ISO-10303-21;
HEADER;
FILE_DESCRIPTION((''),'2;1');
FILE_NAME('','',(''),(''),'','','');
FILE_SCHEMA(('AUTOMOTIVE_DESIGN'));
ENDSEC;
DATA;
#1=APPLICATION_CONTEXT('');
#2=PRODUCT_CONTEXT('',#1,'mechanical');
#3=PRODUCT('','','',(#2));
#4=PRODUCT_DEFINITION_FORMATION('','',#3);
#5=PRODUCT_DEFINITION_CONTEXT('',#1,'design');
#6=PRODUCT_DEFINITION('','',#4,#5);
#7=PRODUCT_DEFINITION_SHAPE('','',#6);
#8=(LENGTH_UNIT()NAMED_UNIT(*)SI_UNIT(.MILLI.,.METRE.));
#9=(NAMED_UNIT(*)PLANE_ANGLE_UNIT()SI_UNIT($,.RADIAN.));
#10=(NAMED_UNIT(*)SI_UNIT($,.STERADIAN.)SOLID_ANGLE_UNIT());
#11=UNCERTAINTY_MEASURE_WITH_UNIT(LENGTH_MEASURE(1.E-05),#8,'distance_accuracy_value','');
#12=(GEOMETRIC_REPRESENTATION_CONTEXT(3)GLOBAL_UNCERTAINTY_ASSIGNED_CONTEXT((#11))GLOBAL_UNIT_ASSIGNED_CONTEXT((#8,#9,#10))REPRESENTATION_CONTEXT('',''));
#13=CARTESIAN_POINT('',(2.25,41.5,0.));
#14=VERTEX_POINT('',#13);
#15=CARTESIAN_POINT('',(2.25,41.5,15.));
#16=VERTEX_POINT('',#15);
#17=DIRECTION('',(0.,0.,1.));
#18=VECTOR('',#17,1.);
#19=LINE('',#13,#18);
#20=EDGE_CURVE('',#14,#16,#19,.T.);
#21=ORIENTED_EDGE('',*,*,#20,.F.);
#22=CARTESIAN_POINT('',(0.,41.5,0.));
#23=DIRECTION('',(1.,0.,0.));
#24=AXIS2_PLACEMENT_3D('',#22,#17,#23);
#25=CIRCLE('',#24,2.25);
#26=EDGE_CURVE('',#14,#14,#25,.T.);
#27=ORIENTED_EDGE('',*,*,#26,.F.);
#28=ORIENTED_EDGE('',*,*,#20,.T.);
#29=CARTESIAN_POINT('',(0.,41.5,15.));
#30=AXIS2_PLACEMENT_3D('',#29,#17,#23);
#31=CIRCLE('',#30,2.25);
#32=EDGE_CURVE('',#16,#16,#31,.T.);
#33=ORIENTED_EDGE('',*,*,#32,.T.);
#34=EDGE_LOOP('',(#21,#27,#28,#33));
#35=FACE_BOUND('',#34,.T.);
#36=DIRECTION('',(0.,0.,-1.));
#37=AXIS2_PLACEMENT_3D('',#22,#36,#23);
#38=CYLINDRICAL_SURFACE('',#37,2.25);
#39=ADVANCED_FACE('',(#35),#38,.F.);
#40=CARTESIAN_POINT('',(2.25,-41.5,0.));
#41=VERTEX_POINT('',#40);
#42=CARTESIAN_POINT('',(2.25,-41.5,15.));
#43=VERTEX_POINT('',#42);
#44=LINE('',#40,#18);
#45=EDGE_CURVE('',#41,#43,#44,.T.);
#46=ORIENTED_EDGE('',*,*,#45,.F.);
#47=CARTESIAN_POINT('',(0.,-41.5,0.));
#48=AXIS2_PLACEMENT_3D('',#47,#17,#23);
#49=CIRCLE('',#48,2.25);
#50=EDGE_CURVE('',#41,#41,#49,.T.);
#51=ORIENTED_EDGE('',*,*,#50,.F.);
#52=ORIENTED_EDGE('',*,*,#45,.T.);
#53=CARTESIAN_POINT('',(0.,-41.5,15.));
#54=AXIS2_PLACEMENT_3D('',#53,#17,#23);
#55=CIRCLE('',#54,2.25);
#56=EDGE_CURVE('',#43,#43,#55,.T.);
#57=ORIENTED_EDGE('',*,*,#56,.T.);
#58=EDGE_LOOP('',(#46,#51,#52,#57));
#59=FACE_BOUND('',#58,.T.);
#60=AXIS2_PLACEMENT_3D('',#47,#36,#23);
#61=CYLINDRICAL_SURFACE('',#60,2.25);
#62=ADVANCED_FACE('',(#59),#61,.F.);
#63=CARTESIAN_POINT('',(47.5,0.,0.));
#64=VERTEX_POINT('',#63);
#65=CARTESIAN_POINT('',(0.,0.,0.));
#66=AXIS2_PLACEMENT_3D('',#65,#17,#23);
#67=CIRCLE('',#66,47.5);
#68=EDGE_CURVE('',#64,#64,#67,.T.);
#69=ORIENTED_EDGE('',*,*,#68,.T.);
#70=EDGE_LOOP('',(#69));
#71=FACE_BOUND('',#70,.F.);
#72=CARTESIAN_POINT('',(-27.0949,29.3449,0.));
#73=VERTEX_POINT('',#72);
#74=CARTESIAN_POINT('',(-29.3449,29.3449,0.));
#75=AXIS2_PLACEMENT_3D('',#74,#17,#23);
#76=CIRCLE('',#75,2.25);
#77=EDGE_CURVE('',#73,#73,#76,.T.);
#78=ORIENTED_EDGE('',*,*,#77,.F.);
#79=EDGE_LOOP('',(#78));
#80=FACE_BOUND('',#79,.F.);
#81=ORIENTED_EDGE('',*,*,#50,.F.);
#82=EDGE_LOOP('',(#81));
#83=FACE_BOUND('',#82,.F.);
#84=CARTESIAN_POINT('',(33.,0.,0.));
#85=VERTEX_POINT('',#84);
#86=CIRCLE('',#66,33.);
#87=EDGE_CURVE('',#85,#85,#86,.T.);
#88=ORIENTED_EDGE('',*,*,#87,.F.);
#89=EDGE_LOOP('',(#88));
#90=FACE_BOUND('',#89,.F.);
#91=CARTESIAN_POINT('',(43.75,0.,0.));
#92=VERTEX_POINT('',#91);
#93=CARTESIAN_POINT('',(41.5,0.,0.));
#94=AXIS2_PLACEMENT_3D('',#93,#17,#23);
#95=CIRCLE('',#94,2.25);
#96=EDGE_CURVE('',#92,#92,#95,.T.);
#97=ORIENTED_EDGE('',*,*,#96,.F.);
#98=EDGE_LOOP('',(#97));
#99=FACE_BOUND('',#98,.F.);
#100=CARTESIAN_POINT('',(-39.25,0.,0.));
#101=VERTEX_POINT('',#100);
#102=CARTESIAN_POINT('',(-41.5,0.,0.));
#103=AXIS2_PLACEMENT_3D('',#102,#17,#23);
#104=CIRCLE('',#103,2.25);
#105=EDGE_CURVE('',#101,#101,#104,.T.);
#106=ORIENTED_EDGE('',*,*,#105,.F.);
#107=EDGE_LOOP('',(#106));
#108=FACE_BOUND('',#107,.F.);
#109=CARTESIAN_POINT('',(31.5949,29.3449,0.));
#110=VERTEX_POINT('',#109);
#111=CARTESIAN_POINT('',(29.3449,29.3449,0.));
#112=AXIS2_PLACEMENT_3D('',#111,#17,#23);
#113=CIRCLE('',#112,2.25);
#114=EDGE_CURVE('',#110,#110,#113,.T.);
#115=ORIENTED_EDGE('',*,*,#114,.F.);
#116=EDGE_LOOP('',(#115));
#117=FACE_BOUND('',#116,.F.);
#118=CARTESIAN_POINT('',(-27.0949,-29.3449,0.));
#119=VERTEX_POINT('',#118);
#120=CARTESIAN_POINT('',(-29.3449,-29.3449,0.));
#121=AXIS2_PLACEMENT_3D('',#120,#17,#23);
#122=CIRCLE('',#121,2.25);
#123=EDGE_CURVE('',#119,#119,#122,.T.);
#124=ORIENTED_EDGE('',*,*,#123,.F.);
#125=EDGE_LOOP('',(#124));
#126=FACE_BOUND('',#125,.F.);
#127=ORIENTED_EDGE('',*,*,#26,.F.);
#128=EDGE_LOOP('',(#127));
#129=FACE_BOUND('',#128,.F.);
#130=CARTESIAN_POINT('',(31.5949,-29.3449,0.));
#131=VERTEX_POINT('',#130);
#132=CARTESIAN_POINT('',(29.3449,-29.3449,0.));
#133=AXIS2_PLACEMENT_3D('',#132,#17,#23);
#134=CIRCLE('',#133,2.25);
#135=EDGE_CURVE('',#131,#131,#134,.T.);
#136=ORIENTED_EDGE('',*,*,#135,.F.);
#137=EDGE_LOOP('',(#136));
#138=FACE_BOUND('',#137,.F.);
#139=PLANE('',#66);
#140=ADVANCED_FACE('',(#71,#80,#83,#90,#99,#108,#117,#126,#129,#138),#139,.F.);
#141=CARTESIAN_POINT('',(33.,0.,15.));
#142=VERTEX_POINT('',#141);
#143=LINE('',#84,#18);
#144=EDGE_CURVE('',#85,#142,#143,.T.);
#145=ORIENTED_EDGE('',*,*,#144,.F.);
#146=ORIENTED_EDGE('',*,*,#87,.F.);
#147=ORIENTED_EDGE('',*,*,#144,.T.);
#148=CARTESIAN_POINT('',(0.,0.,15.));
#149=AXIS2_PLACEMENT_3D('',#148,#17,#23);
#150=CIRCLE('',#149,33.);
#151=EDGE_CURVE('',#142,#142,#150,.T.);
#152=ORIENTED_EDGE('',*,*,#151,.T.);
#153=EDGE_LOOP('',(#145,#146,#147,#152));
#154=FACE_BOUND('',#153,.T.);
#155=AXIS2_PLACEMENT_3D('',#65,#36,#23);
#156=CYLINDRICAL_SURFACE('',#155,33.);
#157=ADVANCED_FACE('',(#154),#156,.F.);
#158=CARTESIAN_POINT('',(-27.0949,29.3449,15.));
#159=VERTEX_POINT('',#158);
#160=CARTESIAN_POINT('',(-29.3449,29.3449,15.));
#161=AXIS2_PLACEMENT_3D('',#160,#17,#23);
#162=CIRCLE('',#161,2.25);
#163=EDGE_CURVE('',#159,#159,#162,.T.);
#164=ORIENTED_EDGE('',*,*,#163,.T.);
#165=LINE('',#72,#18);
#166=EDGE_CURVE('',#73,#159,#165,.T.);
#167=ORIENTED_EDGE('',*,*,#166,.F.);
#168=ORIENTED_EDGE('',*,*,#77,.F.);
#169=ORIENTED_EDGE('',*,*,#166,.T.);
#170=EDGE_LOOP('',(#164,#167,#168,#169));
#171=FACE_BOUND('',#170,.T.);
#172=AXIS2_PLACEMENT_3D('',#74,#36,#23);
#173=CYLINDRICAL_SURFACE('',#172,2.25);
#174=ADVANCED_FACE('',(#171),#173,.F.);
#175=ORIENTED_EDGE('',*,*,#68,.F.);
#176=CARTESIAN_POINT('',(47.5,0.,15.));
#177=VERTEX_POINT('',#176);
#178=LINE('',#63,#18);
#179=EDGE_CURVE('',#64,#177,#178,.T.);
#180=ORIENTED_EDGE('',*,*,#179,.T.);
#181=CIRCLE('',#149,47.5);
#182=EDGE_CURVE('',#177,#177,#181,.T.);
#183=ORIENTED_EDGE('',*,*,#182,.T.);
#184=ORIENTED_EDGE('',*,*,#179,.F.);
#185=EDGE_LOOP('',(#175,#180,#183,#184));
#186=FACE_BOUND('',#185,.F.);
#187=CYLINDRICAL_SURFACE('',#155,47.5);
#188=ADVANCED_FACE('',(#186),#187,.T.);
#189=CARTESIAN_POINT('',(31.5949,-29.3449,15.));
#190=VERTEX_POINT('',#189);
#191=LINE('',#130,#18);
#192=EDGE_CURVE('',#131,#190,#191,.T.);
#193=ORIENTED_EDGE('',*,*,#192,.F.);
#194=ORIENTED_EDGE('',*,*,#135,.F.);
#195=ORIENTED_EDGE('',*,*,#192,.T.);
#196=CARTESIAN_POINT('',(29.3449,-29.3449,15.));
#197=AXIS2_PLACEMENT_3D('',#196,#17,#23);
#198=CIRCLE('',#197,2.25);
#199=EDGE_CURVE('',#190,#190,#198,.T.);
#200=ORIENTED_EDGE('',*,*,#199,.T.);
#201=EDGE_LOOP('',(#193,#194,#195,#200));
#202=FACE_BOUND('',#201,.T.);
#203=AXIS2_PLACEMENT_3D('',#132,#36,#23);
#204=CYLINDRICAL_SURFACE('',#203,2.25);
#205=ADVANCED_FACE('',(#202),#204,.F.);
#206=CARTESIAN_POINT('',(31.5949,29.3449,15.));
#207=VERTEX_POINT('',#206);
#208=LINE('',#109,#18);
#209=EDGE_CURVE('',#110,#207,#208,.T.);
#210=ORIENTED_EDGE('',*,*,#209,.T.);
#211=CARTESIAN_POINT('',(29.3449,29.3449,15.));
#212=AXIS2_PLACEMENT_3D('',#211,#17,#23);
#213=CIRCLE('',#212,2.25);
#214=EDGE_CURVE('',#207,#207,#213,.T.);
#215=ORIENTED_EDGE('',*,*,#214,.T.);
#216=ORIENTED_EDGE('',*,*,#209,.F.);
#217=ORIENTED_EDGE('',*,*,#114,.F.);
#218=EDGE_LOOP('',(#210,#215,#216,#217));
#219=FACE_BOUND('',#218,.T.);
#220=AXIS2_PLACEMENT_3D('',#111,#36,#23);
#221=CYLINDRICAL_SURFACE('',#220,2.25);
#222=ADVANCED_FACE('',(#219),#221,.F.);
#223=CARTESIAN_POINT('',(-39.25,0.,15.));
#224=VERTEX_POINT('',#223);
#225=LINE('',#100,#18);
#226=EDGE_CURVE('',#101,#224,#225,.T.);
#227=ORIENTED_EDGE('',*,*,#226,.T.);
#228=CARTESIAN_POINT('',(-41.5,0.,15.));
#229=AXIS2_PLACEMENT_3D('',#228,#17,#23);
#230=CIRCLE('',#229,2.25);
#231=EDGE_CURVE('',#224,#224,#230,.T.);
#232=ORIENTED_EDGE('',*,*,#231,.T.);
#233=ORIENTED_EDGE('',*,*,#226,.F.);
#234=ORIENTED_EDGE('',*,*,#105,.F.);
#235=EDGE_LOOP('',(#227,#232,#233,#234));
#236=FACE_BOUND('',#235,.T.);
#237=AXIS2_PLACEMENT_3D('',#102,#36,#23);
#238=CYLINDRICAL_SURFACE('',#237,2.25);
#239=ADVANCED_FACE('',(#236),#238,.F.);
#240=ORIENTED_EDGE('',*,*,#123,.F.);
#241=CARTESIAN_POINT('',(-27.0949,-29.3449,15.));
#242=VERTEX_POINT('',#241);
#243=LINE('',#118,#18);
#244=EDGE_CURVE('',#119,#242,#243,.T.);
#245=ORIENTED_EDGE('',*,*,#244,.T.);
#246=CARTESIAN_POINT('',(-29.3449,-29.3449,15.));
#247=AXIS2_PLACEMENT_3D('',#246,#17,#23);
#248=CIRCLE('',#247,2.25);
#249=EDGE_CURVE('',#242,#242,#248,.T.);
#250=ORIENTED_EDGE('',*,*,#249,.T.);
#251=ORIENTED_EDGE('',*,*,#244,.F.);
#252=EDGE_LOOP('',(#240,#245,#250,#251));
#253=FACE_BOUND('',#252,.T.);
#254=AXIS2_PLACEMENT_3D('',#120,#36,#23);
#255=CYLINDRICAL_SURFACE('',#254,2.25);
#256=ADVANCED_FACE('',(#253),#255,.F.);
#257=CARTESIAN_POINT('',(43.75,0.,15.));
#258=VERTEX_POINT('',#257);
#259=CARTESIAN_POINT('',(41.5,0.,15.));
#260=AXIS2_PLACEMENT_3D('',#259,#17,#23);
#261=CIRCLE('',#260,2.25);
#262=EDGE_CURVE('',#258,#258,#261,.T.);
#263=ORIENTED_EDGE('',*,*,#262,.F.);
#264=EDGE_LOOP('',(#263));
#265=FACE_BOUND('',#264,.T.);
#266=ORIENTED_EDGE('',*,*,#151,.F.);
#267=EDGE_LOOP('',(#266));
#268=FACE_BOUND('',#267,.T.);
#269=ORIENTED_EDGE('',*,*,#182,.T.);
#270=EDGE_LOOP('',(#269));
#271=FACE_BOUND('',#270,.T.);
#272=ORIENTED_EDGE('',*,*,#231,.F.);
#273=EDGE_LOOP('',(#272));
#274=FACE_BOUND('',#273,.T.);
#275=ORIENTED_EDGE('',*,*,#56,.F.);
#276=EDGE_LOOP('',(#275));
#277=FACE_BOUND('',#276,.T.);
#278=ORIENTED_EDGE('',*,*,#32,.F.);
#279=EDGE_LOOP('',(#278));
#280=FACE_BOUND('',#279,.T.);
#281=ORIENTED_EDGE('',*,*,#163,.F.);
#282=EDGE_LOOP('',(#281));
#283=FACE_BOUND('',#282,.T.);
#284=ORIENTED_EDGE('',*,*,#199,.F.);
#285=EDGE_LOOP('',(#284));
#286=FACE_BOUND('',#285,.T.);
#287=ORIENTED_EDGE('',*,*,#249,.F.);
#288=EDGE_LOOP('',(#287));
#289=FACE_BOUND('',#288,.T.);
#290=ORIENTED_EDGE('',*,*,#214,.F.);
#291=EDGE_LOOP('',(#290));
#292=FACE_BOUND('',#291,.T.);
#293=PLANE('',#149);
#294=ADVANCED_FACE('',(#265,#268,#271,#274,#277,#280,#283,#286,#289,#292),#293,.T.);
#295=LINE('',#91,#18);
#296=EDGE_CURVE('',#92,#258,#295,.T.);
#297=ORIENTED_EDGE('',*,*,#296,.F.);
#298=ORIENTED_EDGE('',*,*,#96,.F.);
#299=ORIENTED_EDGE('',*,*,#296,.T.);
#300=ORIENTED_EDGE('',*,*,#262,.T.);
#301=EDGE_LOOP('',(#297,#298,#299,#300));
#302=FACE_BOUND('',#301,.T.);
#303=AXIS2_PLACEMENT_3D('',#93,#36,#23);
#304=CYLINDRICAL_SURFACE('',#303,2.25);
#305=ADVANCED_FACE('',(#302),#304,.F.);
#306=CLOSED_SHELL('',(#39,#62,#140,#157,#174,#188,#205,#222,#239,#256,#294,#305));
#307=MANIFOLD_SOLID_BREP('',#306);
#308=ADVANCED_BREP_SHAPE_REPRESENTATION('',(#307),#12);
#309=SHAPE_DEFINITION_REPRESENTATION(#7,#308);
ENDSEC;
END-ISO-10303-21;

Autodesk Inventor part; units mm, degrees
ref_plane "YZ Plane" through (0, 0, 0) normal (1, 0, 0) x (0, 1, 0)
ref_plane "XZ Plane" through (0, 0, 0) normal (0, 1, 0) x (-1, 0, 0)
ref_plane "XY Plane" through (0, 0, 0) normal (0, 0, 1) x (1, 0, 0)
sketch "Sketch1" plane through (0, 0, 0) normal (0, 0, 1) x (1, 0, 0)
  circle A0 centre (0, 0) radius 47.5
  circle A1 centre (0, 0) radius 33
  circle A2 centre (41.5, 0) radius 2.25
  circle A3 centre (29.3449, 29.3449) radius 2.25
  circle A4 centre (0, 41.5) radius 2.25
  circle A5 centre (-29.3449, 29.3449) radius 2.25
  circle A6 centre (-41.5, 0) radius 2.25
  circle A7 centre (-29.3449, -29.3449) radius 2.25
  circle A8 centre (0, -41.5) radius 2.25
  circle A9 centre (29.3449, -29.3449) radius 2.25
  dimension "d0" = 95
  dimension "d1" = 66
  dimension "d2" = 4.5
  dimension "d3" = 41.5
  dimension "d6" = 360
extrude "Extrusion1" add sketch "Sketch1" along normal blind 15
properties part number "Slewing A" material "Aluminum 6061"
